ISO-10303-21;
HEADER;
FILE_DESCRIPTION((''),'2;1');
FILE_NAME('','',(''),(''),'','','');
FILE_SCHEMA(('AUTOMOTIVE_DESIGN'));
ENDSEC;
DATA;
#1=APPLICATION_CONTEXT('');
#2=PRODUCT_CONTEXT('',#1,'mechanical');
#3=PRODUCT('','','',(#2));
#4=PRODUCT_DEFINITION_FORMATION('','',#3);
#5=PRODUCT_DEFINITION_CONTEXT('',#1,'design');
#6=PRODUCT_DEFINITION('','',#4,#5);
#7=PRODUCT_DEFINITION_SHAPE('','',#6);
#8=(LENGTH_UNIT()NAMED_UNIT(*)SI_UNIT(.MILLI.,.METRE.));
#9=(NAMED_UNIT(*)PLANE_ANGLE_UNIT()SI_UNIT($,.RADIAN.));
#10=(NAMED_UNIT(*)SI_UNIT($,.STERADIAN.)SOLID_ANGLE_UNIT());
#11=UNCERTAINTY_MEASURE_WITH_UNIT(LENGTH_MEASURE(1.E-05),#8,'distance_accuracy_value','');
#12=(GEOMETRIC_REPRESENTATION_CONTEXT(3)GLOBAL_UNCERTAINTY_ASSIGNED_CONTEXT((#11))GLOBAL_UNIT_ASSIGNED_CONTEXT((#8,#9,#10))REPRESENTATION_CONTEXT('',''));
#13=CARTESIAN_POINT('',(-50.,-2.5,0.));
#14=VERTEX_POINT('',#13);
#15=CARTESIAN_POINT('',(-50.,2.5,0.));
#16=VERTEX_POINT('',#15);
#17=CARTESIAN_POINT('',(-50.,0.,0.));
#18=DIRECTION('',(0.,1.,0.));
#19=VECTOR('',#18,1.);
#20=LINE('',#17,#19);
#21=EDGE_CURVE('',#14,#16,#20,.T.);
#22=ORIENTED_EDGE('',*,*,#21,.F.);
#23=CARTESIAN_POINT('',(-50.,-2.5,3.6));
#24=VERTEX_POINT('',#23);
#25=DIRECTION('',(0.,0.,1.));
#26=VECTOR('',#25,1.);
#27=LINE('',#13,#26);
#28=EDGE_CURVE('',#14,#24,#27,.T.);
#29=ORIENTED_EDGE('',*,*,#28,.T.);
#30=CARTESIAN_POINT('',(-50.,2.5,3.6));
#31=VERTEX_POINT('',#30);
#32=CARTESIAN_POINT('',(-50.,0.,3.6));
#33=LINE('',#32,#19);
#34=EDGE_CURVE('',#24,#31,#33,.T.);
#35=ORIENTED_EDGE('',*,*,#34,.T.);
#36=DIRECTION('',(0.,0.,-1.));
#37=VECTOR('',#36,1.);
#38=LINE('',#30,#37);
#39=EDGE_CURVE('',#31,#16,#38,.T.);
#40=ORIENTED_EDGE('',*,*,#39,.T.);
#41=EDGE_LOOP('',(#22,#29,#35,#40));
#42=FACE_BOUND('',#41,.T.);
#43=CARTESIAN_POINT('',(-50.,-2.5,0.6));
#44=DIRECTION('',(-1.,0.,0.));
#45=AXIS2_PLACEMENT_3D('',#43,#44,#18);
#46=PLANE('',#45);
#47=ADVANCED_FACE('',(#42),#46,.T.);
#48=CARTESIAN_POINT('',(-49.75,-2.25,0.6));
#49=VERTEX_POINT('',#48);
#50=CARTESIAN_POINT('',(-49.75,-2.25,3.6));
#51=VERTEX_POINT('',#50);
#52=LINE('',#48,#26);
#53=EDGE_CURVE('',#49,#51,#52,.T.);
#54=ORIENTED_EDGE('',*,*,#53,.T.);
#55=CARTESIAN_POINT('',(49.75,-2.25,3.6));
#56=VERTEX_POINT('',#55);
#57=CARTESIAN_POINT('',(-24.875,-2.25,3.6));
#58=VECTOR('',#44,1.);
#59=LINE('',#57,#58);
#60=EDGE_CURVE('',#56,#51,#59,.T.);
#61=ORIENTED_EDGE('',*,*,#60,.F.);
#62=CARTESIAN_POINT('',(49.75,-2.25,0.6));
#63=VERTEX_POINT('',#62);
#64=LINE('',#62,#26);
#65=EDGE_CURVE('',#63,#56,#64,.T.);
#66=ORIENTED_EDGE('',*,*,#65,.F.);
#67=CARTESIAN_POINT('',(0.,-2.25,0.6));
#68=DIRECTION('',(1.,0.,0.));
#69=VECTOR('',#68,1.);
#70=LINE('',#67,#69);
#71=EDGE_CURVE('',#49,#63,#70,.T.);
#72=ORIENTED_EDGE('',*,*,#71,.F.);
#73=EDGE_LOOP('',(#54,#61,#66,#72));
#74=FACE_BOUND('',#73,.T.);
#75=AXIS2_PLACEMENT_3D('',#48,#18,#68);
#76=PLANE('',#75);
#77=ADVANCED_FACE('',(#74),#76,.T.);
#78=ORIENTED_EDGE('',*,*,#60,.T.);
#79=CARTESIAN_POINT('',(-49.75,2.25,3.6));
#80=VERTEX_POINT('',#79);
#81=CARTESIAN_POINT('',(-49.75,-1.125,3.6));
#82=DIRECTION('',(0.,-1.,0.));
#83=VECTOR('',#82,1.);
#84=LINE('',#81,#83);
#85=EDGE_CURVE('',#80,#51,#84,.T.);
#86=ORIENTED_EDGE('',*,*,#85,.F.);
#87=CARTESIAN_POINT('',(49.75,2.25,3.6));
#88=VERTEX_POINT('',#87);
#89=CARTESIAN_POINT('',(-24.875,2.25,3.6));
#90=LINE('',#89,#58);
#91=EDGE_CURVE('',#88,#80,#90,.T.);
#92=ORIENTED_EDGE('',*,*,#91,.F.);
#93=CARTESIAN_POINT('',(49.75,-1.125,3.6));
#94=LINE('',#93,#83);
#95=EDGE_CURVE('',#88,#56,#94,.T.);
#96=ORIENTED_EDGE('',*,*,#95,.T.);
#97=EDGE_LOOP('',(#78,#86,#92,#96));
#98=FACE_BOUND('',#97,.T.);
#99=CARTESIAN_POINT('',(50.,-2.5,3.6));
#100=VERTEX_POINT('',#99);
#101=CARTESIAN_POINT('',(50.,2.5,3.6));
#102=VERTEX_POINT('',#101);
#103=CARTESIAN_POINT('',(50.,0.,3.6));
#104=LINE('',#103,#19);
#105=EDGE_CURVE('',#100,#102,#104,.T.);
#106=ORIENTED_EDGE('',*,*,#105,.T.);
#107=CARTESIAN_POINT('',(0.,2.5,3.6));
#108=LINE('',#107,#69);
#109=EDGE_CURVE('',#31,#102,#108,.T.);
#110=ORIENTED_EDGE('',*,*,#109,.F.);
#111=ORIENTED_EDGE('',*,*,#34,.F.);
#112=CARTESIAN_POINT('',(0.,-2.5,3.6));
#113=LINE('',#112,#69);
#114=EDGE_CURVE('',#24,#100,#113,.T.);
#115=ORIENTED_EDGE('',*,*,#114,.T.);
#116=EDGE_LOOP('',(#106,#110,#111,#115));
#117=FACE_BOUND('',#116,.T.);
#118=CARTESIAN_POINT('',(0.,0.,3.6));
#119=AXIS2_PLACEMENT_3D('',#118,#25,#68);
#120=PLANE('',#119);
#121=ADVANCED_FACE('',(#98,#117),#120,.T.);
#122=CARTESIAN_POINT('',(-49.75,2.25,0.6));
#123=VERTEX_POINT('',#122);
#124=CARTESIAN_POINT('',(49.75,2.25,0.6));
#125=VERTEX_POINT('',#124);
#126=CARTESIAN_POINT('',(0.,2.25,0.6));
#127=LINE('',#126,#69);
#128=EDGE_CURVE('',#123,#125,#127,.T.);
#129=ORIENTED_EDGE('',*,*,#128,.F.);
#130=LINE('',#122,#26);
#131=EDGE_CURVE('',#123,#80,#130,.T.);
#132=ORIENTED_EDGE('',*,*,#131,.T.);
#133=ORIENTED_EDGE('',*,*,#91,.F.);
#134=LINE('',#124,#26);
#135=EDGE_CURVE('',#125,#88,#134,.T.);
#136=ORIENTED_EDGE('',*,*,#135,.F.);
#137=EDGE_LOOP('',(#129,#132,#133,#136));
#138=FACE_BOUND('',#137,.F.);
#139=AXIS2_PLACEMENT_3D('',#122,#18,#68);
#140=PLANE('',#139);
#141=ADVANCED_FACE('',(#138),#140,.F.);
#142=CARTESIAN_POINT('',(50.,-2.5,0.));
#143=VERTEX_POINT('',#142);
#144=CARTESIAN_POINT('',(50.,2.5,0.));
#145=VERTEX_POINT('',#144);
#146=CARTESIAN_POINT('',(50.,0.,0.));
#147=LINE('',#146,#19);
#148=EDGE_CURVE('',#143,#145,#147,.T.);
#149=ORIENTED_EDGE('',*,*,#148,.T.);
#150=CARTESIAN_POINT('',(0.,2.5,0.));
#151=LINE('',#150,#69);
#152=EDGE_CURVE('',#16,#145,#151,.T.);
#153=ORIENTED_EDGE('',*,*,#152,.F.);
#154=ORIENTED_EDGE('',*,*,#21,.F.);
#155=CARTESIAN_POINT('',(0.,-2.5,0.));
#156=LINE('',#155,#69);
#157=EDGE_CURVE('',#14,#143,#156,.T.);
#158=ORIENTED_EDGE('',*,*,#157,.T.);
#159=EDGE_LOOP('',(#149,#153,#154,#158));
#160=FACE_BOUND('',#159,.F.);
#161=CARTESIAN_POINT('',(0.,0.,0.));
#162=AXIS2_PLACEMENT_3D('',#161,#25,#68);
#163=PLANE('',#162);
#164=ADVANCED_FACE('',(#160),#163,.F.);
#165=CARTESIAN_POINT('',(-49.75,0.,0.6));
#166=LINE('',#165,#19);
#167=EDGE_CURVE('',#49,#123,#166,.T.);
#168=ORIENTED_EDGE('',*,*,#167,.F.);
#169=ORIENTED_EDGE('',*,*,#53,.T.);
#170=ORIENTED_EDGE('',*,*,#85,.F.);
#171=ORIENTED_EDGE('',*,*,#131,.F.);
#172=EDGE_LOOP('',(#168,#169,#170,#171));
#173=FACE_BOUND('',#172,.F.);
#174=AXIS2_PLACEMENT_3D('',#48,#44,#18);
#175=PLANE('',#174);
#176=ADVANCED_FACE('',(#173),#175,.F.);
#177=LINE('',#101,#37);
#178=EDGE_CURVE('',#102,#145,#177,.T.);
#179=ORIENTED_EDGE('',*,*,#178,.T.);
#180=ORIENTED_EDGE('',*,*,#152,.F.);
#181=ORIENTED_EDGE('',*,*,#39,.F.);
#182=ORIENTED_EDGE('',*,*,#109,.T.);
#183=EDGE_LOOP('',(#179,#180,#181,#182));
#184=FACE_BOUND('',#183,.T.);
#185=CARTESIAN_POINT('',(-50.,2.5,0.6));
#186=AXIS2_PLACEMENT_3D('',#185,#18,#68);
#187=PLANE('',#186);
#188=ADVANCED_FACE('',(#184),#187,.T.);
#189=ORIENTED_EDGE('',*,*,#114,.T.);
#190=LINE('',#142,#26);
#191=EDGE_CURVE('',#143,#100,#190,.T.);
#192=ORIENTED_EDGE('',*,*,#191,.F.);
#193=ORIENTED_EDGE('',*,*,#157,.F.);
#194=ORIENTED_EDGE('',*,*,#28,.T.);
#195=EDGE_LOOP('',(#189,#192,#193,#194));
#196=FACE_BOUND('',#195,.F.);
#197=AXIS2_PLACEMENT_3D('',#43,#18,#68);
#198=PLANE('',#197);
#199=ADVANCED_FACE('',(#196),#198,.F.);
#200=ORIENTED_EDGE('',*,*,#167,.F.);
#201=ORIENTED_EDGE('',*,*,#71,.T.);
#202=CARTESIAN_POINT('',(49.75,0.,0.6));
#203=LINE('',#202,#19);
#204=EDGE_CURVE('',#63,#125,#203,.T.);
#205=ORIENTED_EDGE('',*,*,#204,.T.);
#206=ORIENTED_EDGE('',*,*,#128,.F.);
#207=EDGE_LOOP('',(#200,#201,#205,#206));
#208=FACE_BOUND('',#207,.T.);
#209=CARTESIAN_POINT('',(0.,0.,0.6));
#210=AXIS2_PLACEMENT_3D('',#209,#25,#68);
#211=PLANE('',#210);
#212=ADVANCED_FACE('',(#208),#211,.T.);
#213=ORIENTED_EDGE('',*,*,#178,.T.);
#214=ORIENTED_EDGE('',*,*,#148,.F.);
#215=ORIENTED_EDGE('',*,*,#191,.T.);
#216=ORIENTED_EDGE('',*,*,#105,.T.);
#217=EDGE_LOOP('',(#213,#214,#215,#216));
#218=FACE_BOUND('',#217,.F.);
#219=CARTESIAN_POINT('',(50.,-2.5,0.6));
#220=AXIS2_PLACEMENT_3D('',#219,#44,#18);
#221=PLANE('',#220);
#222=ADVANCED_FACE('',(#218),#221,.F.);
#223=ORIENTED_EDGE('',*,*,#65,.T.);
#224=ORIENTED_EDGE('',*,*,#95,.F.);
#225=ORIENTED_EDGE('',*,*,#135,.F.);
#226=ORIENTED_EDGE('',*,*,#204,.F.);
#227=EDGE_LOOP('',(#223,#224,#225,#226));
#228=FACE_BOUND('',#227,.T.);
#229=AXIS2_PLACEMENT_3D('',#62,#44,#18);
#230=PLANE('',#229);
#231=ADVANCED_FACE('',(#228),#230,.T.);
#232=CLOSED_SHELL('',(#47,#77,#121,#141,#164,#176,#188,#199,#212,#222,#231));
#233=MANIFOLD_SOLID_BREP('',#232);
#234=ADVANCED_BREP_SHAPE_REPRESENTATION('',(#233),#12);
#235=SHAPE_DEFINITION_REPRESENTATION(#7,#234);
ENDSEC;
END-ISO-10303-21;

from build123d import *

# Parameters (mm, degrees)
F0_W     = 100
F0_H     = 5
F1_DEPTH = 0.6
F2_W     = 100
F2_H     = 5
F4_DEPTH = 3
F3_W     = 99.5
F3_H     = 4.5
F5_DEPTH = 25


with BuildPart() as f1:
    # F0 (on Top) → F1 (new body)
    with BuildSketch(Plane.XY):
        Rectangle(F0_W, F0_H)
    extrude(amount=F1_DEPTH)

    # F2 (on face) → F4 (join)
    with BuildSketch(Plane.XY.offset(0.6)):
        Rectangle(F2_W, F2_H)
    extrude(amount=F4_DEPTH)

    # F3 (on face) → F5 (cut)
    with BuildSketch(Plane.XY.offset(0.6)):
        Rectangle(F3_W, F3_H)
    extrude(amount=F5_DEPTH, mode=Mode.SUBTRACT)


solid = f1.part
